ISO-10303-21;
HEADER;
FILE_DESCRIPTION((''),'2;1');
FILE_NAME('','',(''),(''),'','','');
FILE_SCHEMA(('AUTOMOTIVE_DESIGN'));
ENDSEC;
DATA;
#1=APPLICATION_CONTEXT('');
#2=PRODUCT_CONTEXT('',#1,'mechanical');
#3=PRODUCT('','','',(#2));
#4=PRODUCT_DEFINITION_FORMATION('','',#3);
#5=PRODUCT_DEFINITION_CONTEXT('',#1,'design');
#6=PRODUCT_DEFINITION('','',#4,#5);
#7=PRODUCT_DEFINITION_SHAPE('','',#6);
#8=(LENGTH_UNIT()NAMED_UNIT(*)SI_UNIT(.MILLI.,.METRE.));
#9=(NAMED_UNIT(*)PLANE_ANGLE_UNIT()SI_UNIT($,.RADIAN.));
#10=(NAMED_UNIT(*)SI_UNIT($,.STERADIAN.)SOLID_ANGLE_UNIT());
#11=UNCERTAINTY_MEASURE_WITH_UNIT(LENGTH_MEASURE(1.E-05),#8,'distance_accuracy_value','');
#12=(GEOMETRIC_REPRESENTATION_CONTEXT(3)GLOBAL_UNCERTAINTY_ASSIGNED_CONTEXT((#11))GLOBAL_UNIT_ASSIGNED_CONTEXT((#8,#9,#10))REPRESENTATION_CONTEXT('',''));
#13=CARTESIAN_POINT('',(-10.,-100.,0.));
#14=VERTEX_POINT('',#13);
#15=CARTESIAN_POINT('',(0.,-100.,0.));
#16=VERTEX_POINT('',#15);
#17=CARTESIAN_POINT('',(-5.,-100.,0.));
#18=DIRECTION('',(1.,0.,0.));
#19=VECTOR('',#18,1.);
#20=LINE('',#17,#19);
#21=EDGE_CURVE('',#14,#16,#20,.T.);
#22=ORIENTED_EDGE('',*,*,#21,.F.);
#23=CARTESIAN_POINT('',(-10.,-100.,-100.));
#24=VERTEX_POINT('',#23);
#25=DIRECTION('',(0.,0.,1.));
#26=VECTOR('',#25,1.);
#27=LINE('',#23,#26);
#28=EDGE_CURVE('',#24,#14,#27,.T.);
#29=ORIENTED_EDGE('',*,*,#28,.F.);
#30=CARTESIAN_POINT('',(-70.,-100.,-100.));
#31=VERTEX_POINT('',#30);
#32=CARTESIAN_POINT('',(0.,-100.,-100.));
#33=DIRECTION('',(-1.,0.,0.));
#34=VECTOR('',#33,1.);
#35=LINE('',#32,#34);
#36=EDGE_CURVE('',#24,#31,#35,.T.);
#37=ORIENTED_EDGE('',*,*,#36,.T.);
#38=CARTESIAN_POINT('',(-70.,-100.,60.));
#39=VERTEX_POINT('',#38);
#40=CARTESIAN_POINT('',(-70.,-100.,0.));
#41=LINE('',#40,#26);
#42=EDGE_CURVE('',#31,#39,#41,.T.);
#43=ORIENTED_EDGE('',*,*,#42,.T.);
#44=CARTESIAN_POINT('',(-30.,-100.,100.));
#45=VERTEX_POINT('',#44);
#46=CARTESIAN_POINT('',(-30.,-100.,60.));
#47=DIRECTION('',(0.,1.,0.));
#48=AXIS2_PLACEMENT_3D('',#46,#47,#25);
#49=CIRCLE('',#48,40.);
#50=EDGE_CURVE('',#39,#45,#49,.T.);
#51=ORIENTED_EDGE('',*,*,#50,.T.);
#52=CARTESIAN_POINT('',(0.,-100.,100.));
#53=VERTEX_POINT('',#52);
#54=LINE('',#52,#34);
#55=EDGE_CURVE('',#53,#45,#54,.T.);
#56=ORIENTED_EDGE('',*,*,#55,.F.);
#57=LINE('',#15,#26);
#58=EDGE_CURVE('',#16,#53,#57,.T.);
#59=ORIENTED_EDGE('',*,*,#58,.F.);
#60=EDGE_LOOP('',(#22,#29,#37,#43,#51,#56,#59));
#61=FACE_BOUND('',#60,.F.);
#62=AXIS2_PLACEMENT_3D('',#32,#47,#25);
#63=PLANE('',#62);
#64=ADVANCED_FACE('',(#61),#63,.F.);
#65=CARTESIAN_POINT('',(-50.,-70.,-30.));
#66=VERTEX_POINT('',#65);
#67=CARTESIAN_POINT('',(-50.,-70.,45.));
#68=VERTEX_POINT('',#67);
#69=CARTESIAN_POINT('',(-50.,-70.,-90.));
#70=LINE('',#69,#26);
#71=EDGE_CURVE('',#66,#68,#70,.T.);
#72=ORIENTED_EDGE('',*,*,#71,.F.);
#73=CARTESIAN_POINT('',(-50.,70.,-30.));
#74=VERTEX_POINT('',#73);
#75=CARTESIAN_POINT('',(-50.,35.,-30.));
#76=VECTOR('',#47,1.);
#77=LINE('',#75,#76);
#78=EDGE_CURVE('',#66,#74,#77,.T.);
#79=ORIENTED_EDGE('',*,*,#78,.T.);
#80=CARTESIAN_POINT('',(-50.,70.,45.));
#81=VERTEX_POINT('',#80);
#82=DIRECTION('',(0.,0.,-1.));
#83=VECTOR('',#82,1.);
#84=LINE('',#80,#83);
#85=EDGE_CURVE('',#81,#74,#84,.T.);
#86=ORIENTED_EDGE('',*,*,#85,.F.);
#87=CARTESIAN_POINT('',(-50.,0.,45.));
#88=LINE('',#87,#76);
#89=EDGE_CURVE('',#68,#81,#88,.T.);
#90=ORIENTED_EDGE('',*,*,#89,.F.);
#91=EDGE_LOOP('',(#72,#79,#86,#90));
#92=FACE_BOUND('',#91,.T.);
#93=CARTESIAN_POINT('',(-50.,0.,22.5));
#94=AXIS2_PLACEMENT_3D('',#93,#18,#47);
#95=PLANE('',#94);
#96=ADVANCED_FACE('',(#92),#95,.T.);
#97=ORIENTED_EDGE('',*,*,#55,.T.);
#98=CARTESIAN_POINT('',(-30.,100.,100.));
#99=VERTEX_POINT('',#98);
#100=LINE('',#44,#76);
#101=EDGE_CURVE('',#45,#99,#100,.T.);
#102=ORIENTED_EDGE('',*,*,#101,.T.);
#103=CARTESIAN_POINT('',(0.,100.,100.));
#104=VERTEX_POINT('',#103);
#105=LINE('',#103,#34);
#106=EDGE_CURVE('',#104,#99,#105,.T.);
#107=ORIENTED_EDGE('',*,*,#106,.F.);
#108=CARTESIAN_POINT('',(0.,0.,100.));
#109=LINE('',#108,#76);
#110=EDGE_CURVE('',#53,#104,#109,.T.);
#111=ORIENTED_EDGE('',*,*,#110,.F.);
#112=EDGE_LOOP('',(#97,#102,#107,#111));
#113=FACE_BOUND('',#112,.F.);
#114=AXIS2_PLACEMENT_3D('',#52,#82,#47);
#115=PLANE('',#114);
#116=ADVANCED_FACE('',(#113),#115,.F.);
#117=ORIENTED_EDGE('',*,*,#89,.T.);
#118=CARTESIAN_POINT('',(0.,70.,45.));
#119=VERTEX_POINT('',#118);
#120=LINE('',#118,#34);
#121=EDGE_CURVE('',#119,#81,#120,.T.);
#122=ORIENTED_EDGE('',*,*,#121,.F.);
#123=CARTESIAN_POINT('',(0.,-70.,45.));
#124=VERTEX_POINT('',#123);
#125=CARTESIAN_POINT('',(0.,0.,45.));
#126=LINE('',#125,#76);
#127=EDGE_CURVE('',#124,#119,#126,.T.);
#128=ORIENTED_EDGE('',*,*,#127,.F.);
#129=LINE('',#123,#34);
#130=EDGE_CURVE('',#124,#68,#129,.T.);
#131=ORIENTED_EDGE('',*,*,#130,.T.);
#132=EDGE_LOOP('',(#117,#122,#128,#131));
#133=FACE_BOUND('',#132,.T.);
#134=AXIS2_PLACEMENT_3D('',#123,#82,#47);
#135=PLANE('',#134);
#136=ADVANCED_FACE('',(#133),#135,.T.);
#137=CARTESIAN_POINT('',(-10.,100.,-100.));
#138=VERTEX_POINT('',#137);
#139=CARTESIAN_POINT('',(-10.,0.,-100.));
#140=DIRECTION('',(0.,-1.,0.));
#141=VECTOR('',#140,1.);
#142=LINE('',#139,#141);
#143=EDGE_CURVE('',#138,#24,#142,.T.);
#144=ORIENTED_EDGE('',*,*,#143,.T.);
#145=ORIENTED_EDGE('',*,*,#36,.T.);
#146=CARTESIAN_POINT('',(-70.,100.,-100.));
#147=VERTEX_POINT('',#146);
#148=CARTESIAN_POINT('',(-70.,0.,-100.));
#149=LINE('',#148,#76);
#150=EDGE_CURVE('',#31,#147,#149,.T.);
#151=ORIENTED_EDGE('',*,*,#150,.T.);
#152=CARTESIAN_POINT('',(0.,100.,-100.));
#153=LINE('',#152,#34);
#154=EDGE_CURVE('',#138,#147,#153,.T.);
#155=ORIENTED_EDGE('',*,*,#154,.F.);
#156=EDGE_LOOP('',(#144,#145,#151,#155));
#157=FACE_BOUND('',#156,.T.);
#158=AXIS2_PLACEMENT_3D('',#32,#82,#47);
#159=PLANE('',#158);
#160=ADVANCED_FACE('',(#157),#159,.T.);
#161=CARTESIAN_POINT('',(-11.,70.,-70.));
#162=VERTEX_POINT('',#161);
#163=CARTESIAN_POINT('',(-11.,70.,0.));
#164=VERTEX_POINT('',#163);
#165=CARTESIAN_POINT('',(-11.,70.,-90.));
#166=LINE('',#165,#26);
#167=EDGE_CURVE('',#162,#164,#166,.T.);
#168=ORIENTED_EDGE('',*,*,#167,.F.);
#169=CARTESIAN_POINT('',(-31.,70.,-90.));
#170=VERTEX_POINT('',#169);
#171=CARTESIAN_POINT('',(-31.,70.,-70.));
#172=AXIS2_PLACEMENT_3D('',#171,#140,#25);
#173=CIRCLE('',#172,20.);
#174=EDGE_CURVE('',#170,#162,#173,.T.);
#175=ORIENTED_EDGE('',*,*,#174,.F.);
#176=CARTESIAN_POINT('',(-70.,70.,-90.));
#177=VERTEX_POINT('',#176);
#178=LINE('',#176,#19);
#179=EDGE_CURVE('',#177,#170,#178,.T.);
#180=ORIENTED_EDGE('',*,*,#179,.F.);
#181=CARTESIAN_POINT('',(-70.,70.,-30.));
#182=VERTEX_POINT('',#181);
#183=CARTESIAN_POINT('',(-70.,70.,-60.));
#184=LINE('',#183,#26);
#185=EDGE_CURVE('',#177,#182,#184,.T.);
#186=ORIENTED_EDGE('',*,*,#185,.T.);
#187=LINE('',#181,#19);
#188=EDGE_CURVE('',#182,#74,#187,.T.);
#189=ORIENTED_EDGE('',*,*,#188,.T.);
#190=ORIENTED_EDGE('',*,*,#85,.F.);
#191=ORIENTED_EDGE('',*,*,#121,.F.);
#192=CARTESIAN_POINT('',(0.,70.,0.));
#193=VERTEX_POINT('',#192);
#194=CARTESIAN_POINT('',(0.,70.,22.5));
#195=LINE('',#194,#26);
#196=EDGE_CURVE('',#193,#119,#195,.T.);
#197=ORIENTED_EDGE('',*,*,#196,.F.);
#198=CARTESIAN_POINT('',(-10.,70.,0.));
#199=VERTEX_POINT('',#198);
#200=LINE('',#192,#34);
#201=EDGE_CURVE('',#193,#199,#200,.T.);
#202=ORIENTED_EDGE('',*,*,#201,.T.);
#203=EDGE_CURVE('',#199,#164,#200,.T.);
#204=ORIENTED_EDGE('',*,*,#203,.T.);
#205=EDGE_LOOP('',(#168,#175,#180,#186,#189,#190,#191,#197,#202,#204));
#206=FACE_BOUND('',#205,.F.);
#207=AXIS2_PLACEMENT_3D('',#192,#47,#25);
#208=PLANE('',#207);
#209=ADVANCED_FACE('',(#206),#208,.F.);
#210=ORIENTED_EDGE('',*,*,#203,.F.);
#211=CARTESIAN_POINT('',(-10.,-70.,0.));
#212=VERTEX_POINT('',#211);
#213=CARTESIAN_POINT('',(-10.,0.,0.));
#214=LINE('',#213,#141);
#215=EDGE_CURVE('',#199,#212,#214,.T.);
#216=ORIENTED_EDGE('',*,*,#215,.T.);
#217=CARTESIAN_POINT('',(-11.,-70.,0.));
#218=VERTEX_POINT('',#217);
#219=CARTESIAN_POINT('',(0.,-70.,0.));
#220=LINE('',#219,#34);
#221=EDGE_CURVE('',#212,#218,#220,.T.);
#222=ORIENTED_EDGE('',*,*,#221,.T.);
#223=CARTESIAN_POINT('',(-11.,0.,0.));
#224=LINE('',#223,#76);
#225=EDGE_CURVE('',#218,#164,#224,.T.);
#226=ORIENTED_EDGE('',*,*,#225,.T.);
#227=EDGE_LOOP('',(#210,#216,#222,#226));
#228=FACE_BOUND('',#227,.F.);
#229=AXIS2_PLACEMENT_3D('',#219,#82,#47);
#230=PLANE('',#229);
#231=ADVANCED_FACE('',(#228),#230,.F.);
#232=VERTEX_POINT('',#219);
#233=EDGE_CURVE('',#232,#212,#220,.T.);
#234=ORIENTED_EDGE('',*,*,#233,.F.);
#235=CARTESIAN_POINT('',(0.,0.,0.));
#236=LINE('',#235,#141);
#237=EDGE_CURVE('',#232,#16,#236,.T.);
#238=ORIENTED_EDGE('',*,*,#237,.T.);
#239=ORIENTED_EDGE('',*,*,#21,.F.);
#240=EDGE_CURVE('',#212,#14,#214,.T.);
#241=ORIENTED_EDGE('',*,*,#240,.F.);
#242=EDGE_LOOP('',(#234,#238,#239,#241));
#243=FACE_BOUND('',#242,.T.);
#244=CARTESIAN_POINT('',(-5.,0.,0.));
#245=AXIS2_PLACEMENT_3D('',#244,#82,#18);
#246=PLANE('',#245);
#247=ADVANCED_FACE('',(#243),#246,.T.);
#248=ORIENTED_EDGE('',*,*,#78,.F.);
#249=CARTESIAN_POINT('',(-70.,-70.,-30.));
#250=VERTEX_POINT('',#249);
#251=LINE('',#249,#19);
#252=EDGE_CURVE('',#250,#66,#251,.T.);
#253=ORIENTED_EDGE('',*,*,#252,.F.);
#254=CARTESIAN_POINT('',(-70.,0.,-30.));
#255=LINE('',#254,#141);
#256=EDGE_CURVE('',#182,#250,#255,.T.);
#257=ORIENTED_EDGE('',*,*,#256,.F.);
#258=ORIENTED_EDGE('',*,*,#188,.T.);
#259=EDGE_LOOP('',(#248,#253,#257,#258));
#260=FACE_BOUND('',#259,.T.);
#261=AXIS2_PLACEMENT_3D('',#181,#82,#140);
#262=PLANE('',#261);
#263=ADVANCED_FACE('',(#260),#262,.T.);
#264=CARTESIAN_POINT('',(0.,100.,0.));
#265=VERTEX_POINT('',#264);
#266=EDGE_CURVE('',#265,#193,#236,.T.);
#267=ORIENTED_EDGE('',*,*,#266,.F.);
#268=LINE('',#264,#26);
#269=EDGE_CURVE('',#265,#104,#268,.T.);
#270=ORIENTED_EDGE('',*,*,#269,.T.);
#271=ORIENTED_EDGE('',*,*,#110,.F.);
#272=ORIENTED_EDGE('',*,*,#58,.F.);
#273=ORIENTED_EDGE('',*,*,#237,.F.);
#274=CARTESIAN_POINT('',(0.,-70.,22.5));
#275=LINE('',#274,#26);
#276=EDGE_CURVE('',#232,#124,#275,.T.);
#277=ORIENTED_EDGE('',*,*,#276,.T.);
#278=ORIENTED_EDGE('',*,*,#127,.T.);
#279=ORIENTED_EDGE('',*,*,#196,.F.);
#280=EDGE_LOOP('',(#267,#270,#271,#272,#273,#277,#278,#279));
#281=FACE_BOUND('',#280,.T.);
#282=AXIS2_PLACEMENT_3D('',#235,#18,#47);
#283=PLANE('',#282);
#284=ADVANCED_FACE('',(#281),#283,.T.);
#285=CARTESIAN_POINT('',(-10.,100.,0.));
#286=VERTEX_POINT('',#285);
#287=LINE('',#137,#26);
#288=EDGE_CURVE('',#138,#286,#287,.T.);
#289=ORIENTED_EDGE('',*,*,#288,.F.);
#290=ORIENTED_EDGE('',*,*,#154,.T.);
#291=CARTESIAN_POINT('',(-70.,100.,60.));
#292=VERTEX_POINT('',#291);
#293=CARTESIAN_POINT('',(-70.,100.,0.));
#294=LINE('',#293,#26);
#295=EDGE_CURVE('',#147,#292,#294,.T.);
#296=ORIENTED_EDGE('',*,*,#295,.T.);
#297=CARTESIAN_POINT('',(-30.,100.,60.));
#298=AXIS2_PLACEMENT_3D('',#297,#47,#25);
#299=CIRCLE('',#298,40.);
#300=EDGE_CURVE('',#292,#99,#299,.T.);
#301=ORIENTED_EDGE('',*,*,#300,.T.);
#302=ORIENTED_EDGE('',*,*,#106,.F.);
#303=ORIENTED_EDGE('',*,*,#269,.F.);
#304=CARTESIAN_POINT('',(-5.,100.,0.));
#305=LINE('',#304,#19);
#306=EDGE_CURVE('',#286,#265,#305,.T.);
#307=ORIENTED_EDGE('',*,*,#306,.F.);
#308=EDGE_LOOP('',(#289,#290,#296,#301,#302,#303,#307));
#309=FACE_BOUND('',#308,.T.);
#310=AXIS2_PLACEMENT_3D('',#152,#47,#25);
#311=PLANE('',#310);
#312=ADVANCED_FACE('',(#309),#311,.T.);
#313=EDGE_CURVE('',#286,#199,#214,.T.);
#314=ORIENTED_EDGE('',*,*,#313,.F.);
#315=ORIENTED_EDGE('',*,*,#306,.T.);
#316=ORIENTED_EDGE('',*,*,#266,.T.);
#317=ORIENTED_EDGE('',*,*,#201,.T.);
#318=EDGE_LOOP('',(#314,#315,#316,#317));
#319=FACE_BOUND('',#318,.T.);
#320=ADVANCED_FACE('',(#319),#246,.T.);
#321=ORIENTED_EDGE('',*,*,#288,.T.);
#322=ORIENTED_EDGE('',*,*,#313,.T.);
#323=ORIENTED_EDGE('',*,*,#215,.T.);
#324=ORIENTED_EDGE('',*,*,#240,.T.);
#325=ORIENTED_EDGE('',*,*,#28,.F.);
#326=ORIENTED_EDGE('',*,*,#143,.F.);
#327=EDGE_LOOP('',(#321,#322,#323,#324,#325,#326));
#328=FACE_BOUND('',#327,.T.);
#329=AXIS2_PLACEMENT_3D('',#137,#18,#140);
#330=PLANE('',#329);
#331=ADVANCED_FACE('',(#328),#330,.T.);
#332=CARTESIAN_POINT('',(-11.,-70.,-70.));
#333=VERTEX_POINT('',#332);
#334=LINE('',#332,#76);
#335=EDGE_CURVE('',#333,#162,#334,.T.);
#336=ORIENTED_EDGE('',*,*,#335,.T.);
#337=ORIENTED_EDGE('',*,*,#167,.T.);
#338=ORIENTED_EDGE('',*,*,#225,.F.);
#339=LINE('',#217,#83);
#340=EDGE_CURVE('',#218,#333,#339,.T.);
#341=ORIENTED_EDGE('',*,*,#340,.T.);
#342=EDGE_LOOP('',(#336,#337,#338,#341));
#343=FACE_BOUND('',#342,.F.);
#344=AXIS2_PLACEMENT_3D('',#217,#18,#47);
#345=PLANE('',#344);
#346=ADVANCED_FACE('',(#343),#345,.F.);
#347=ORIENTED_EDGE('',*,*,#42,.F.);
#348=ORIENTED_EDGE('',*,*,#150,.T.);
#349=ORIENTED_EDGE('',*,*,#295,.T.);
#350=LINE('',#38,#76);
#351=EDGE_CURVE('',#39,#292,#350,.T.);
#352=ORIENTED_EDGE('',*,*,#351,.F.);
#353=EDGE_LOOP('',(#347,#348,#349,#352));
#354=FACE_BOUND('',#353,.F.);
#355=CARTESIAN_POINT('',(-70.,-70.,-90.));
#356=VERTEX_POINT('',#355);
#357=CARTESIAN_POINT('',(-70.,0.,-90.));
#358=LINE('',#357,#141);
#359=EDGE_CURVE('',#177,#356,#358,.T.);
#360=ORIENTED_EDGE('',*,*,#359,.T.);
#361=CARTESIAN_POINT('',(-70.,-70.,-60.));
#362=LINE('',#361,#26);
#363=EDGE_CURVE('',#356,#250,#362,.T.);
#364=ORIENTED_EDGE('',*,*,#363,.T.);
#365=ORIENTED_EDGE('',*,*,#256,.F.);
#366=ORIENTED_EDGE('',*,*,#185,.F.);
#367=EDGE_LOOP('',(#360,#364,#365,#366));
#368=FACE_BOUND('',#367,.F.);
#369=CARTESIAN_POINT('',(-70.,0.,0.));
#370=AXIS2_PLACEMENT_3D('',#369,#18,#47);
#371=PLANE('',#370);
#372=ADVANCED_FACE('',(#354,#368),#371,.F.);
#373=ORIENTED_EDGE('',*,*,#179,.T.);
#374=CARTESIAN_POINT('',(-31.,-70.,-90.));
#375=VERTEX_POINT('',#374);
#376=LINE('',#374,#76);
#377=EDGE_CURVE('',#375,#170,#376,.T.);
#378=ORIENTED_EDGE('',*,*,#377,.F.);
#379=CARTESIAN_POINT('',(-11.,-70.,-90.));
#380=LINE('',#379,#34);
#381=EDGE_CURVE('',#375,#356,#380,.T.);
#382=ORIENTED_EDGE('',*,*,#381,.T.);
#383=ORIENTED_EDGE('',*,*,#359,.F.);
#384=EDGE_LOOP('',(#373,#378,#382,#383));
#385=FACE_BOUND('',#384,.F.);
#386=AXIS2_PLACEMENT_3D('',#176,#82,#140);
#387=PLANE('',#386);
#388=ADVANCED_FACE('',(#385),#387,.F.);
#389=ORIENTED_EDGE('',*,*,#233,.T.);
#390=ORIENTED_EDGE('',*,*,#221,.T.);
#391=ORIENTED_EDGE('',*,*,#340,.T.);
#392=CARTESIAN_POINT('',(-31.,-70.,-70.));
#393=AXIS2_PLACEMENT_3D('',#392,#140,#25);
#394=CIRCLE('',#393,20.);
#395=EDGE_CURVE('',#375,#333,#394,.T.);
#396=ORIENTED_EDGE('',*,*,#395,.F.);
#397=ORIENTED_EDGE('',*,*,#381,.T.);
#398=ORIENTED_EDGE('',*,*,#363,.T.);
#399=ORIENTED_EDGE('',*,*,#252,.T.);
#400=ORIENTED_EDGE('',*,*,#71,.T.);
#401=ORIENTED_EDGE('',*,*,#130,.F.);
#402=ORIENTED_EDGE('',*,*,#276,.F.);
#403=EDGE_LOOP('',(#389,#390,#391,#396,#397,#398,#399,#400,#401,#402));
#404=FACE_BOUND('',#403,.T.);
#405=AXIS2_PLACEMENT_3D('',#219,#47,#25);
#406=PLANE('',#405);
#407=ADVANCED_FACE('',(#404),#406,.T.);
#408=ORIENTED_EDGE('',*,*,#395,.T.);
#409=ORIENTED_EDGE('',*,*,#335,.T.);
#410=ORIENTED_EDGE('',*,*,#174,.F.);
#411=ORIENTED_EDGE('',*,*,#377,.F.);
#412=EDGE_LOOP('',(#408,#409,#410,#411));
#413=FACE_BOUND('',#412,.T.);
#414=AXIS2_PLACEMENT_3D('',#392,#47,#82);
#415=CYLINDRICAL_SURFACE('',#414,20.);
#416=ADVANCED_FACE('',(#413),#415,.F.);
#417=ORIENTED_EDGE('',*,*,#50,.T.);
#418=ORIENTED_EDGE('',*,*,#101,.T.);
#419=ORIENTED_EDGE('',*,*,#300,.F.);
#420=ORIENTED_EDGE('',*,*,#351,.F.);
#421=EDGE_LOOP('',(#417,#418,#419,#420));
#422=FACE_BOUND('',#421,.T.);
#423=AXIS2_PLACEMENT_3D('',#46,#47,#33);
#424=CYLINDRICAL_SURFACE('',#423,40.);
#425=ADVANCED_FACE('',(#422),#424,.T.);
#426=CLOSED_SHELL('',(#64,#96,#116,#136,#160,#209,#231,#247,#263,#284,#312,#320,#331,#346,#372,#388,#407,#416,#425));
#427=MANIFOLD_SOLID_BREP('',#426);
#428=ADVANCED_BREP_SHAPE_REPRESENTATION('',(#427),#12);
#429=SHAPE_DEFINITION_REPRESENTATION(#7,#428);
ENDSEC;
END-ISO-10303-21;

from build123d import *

# Parameters (mm, degrees)
F0_W     = 200
F0_H     = 200
F1_DEPTH = 70
F2_W     = 10
F2_H     = 200
F3_DEPTH = 100
F4_W     = 140
F4_H     = 45
F5_DEPTH = 50
F6_W     = 39
F6_H     = 140
F7_DEPTH = 90
F8_W     = 140
F8_H     = 60
F9_DEPTH = 59
F10_R    = 20
F11_R    = 40


with BuildPart() as f1:
    # F0 (on Right) → F1 (new body)
    with BuildSketch(Plane.YZ):
        Rectangle(F0_W, F0_H)
    extrude(amount=-F1_DEPTH)

    # F2 (on face) → F3 (cut)
    with BuildSketch(Plane(origin=(0, 0, -100), x_dir=(1, 0, 0), z_dir=(0, 0, -1))):
        with Locations((-5, 0)):
            Rectangle(F2_W, F2_H)
    extrude(amount=-F3_DEPTH, mode=Mode.SUBTRACT)

    # F4 (on face) → F5 (cut)
    with BuildSketch(Plane.YZ):
        with Locations((0, 22.5)):
            Rectangle(F4_W, F4_H)
    extrude(amount=-F5_DEPTH, mode=Mode.SUBTRACT)

    # F6 (on face) → F7 (cut)
    with BuildSketch(Plane.XY):
        with Locations((-30.5, 0)):
            Rectangle(F6_W, F6_H)
    extrude(amount=-F7_DEPTH, mode=Mode.SUBTRACT)

    # F8 (on face) → F9 (cut)
    with BuildSketch(Plane(origin=(-70, 0, 0), x_dir=(0, -1, 0), z_dir=(-1, 0, 0))):
        with Locations((0, -60)):
            Rectangle(F8_W, F8_H)
    extrude(amount=-F9_DEPTH, mode=Mode.SUBTRACT)

    # F10
    f10_edges = [f1.edges().sort_by_distance(p)[0] for p in [
        (-11, 0, -90),
    ]]
    fillet(f10_edges, radius=F10_R)

    # F11
    f11_edges = [f1.edges().sort_by_distance(p)[0] for p in [
        (-70, 0, 100),
    ]]
    fillet(f11_edges, radius=F11_R)


solid = f1.part
